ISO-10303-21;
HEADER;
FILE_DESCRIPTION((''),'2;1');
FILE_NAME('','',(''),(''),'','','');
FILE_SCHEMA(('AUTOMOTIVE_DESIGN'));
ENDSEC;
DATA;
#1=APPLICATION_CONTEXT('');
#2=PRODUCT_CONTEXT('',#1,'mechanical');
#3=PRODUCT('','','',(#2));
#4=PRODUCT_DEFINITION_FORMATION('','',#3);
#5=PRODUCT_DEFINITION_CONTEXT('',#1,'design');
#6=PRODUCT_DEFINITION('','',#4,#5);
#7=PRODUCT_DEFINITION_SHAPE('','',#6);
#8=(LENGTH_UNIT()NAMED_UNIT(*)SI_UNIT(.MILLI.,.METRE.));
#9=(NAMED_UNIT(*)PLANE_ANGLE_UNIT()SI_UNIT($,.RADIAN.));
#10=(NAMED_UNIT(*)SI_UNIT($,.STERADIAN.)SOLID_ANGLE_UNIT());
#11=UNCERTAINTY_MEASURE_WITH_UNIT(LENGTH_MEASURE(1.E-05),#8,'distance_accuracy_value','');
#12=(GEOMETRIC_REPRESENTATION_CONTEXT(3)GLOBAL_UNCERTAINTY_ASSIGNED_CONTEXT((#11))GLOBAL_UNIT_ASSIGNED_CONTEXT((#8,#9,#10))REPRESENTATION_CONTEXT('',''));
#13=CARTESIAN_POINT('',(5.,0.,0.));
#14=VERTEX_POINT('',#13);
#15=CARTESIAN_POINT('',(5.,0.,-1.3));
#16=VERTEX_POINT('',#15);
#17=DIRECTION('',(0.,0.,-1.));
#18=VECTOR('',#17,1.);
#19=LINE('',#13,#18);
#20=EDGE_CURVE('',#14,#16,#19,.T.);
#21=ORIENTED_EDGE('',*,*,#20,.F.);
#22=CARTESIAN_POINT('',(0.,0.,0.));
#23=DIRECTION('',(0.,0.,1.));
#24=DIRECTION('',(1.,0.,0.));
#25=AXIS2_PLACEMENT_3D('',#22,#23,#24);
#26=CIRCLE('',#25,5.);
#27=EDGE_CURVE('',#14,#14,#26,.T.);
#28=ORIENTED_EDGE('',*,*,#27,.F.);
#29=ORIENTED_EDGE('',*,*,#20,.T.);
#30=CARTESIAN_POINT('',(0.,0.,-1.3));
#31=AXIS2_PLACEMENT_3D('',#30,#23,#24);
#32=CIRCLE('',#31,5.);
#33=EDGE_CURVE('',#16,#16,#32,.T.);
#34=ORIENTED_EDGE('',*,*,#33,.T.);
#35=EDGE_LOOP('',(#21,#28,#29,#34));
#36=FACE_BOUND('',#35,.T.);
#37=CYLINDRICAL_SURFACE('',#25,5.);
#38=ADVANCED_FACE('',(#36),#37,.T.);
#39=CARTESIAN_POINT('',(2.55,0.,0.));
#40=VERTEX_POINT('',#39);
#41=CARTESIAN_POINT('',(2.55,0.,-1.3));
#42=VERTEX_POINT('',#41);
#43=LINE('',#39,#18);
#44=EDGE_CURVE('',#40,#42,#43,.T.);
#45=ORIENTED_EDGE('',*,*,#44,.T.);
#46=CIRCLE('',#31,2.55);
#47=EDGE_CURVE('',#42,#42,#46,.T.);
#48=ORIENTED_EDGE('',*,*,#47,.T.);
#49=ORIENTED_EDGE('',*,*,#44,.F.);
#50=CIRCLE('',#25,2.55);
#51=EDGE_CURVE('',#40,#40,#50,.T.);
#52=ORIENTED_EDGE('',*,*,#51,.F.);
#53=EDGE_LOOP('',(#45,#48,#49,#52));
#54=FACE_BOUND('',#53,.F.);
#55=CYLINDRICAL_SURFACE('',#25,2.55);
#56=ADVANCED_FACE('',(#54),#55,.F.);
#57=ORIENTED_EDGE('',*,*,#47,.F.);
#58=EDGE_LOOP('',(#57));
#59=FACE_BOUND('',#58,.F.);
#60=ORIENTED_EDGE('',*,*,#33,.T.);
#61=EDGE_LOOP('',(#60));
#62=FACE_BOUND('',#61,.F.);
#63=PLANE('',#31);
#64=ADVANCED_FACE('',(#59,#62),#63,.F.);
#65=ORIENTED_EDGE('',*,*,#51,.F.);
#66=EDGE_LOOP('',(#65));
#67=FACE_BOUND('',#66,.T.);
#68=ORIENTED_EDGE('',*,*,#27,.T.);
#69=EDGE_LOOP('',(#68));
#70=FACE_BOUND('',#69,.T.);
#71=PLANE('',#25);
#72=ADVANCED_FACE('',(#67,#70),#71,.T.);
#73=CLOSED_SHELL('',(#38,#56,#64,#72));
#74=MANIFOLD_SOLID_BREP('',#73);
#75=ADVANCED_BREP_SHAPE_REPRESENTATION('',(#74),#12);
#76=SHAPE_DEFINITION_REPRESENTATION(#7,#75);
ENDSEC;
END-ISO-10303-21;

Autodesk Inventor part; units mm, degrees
sketch "Sketch_2" plane through (0, 0, 0) normal (0, 0, 1) x (1, 0, 0)
  circle A0 centre (0, 0) radius 5
  circle A1 centre (0, 0) radius 2.55
extrude "Extrusion1" add sketch "Sketch_2" against normal blind 1.3
ref_plane "washer_to_bolt_XY" through (0, 0, 0) normal (0, 0, 1) x (1, 0, 0)
ref_plane "washer_to_bolt_YZ" through (0, 0, 0) normal (1, 0, 0) x (0, 1, 0)
ref_plane "washer_to_bolt_ZX" through (0, 0, 0) normal (0, 1, 0) x (0, 0, 1)
properties part number "HCBST5washer2"
